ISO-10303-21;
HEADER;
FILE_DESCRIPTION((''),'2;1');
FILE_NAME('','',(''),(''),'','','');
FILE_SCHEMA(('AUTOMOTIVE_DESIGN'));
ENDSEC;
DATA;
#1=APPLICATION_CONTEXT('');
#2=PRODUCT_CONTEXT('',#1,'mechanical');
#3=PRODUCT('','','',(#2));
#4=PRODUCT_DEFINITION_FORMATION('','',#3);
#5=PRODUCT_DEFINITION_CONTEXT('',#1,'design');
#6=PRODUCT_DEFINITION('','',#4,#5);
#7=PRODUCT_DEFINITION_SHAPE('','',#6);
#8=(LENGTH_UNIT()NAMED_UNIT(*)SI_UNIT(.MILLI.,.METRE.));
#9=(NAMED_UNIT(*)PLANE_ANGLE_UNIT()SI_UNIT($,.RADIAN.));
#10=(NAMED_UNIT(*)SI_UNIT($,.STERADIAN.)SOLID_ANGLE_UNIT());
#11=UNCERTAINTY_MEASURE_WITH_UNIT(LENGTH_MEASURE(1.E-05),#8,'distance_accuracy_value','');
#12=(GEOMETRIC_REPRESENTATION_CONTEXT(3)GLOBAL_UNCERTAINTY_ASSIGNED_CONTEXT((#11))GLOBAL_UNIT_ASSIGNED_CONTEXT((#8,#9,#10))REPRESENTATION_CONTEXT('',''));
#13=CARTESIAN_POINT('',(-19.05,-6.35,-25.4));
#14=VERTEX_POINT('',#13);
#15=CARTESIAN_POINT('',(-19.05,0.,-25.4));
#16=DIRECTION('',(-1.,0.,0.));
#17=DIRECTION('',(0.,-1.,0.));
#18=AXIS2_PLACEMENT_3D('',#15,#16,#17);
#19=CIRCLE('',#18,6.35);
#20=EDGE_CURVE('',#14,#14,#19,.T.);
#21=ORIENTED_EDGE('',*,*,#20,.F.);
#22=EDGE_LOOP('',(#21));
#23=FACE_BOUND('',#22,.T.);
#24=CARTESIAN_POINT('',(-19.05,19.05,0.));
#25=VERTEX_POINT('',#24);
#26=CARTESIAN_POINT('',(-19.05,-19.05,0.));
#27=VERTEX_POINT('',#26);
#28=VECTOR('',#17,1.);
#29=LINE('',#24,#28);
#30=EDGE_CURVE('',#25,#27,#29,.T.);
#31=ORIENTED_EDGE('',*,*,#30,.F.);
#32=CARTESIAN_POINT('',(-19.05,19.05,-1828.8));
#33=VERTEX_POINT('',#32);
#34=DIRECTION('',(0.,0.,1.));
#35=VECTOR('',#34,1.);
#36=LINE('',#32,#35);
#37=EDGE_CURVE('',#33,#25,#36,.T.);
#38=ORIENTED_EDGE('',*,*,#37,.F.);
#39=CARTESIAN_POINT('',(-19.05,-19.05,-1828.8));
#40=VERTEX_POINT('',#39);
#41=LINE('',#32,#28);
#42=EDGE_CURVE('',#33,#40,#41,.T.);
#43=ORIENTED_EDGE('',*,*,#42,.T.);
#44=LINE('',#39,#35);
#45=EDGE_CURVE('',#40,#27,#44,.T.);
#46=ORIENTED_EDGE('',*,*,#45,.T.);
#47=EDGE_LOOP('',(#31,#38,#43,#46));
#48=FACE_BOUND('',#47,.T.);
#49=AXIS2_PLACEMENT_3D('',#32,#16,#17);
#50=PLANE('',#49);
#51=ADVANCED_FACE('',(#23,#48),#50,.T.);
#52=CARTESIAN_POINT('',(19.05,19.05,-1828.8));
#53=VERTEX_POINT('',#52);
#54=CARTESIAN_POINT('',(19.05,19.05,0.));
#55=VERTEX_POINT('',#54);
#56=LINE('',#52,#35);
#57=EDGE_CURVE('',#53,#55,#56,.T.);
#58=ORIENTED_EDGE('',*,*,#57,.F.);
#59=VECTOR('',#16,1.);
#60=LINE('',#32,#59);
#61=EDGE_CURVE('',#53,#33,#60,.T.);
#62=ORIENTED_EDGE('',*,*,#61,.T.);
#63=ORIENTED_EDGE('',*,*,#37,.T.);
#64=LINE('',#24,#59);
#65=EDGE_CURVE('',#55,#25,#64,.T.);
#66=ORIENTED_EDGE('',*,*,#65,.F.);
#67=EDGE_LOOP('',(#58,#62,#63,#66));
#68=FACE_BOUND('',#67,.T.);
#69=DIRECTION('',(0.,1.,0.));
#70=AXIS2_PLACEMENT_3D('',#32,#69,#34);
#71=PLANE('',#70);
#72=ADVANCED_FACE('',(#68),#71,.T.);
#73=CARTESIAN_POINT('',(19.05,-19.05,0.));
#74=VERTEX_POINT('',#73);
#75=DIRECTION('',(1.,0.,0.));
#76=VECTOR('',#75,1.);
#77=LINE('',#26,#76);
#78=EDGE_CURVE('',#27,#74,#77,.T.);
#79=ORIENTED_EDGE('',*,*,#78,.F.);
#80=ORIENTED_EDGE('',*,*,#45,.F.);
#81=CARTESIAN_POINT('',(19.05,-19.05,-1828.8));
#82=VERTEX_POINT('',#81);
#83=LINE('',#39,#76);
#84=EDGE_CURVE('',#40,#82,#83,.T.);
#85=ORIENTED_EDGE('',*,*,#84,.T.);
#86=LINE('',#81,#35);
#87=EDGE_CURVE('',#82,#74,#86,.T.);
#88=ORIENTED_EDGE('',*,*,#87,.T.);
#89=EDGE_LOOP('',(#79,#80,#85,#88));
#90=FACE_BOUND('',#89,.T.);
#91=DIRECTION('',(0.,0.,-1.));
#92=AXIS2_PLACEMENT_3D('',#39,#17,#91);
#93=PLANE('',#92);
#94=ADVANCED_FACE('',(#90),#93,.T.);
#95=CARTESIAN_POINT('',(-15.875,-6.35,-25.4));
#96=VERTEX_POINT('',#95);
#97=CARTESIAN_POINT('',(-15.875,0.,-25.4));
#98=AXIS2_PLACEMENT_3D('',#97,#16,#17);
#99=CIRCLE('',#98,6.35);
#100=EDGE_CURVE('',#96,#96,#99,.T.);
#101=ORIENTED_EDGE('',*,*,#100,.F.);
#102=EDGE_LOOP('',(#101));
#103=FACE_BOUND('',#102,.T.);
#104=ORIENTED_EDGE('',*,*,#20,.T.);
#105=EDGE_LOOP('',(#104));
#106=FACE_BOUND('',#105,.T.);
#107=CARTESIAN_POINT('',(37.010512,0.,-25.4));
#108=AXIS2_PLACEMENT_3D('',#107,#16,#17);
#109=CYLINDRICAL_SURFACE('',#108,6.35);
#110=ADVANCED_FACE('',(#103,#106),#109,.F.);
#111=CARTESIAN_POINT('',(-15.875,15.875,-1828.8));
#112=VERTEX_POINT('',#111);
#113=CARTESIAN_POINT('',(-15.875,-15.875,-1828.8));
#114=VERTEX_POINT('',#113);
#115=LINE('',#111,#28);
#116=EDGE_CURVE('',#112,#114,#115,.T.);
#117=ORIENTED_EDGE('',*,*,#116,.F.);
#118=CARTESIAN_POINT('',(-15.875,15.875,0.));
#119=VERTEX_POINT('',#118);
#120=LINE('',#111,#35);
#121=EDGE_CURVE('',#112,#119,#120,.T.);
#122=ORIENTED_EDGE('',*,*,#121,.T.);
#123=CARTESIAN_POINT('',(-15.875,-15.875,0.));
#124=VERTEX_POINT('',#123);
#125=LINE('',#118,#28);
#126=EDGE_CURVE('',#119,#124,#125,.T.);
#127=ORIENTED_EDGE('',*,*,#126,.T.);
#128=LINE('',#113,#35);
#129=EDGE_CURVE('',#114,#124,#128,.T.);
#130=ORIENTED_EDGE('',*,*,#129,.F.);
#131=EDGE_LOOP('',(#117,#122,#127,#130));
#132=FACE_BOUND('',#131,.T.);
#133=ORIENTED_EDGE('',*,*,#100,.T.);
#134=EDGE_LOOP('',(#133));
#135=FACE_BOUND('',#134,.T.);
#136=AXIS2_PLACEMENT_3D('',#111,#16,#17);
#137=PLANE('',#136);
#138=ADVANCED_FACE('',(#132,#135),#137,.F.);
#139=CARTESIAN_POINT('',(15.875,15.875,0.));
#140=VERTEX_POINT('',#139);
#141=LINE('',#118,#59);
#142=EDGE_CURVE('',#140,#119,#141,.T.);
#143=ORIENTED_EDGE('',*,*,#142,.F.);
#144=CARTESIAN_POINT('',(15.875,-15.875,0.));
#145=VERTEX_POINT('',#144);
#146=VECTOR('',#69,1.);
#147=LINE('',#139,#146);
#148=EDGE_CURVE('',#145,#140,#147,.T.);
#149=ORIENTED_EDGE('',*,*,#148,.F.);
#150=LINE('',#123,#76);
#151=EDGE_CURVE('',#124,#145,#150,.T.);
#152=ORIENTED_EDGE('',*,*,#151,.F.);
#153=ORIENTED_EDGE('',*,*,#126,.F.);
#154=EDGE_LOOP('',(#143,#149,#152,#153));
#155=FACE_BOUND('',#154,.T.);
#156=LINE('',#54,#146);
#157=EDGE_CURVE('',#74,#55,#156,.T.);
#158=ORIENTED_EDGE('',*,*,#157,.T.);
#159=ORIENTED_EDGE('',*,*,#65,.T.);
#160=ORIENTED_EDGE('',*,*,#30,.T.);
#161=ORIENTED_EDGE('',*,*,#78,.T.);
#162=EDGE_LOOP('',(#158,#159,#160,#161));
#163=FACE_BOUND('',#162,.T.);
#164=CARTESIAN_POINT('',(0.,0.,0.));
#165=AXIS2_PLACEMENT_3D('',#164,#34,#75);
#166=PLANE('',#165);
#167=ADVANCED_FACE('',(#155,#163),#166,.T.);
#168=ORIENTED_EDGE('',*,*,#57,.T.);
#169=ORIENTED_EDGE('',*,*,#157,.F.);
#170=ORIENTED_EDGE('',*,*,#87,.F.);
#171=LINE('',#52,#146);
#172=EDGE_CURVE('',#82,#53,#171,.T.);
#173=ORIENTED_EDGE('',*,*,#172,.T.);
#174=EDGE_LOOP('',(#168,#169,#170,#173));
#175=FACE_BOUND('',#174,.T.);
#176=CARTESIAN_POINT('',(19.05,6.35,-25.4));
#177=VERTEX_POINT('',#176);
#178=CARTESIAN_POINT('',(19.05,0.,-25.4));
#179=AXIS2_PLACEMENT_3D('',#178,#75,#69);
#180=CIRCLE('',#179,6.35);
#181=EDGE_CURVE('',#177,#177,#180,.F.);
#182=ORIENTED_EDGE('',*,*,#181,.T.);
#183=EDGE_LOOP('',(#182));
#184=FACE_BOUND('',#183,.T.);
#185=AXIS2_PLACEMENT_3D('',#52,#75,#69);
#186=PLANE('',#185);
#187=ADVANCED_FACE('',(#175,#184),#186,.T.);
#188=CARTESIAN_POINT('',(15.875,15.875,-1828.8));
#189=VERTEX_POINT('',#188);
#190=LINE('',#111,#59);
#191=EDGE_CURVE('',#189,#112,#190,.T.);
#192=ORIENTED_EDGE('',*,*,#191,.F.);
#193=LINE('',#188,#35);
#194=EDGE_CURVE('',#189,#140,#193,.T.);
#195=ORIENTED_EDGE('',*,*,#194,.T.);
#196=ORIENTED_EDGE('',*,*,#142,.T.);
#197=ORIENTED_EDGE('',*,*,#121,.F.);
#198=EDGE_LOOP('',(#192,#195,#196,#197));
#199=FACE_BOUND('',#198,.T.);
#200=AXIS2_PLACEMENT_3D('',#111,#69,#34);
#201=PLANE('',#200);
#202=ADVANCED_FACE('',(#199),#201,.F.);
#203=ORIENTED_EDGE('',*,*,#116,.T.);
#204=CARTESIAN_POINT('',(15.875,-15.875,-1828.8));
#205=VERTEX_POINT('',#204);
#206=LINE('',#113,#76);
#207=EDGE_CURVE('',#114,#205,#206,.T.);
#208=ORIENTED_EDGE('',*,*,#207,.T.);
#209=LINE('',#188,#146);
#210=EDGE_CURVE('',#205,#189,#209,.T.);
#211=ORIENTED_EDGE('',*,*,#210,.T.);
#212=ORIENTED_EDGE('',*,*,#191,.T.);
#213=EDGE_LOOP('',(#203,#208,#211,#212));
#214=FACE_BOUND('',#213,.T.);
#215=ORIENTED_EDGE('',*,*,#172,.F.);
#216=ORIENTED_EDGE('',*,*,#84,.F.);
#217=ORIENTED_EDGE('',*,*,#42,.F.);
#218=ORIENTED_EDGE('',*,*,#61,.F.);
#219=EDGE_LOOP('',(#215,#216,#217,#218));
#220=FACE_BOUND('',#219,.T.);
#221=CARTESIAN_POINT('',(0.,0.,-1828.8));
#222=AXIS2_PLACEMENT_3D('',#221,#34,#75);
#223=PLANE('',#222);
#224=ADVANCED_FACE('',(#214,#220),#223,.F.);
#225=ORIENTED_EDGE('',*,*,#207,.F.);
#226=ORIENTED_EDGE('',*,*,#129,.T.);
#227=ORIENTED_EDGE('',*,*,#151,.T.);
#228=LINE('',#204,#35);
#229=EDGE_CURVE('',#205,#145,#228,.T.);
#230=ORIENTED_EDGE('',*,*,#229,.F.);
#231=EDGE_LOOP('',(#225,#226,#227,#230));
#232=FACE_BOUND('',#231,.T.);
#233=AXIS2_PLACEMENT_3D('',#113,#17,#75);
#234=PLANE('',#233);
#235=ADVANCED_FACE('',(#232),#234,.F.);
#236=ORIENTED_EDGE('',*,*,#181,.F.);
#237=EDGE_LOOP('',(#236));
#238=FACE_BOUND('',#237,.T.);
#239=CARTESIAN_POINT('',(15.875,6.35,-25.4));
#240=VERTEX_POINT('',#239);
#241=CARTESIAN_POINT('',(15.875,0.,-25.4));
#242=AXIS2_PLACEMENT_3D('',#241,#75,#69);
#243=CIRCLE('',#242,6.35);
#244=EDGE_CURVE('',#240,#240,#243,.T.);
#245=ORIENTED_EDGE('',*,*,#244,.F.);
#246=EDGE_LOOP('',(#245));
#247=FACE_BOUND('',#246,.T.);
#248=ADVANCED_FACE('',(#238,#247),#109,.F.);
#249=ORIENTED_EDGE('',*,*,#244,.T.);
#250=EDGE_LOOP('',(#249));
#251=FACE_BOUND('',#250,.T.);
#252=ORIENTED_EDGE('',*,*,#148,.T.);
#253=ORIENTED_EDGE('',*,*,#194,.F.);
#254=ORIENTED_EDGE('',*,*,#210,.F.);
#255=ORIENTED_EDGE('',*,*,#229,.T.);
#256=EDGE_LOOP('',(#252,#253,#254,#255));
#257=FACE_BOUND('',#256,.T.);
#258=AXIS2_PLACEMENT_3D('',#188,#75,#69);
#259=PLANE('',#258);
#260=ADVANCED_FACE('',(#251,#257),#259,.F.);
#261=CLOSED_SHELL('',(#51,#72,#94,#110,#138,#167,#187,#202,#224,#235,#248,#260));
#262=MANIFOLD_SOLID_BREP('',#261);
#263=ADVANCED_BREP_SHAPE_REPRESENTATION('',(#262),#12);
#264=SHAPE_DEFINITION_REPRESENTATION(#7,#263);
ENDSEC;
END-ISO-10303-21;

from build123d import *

# Parameters (mm, degrees)
SKETCH1_W           = 38.1
SKETCH1_H           = 38.1
SKETCH1_W_2         = 31.75
SKETCH1_H_2         = 31.75
BOSS_EXTRUDE1_DEPTH = 1828.8
SKETCH2_R           = 6.35
CUT_EXTRUDE1_DEPTH  = 38.1


with BuildPart() as part:
    # Sketch1 → Boss-Extrude1 (new body)
    with BuildSketch(Plane.XY):
        Rectangle(SKETCH1_W, SKETCH1_H)
        Rectangle(SKETCH1_W_2, SKETCH1_H_2, mode=Mode.SUBTRACT)
    extrude(amount=-BOSS_EXTRUDE1_DEPTH)

    # Sketch2 → Cut-Extrude1 (cut)
    with BuildSketch(Plane.ZY.offset(19.05)):
        with Locations((-25.4, 0)):
            Circle(SKETCH2_R)
    extrude(amount=-CUT_EXTRUDE1_DEPTH, mode=Mode.SUBTRACT)


solid = part.part
